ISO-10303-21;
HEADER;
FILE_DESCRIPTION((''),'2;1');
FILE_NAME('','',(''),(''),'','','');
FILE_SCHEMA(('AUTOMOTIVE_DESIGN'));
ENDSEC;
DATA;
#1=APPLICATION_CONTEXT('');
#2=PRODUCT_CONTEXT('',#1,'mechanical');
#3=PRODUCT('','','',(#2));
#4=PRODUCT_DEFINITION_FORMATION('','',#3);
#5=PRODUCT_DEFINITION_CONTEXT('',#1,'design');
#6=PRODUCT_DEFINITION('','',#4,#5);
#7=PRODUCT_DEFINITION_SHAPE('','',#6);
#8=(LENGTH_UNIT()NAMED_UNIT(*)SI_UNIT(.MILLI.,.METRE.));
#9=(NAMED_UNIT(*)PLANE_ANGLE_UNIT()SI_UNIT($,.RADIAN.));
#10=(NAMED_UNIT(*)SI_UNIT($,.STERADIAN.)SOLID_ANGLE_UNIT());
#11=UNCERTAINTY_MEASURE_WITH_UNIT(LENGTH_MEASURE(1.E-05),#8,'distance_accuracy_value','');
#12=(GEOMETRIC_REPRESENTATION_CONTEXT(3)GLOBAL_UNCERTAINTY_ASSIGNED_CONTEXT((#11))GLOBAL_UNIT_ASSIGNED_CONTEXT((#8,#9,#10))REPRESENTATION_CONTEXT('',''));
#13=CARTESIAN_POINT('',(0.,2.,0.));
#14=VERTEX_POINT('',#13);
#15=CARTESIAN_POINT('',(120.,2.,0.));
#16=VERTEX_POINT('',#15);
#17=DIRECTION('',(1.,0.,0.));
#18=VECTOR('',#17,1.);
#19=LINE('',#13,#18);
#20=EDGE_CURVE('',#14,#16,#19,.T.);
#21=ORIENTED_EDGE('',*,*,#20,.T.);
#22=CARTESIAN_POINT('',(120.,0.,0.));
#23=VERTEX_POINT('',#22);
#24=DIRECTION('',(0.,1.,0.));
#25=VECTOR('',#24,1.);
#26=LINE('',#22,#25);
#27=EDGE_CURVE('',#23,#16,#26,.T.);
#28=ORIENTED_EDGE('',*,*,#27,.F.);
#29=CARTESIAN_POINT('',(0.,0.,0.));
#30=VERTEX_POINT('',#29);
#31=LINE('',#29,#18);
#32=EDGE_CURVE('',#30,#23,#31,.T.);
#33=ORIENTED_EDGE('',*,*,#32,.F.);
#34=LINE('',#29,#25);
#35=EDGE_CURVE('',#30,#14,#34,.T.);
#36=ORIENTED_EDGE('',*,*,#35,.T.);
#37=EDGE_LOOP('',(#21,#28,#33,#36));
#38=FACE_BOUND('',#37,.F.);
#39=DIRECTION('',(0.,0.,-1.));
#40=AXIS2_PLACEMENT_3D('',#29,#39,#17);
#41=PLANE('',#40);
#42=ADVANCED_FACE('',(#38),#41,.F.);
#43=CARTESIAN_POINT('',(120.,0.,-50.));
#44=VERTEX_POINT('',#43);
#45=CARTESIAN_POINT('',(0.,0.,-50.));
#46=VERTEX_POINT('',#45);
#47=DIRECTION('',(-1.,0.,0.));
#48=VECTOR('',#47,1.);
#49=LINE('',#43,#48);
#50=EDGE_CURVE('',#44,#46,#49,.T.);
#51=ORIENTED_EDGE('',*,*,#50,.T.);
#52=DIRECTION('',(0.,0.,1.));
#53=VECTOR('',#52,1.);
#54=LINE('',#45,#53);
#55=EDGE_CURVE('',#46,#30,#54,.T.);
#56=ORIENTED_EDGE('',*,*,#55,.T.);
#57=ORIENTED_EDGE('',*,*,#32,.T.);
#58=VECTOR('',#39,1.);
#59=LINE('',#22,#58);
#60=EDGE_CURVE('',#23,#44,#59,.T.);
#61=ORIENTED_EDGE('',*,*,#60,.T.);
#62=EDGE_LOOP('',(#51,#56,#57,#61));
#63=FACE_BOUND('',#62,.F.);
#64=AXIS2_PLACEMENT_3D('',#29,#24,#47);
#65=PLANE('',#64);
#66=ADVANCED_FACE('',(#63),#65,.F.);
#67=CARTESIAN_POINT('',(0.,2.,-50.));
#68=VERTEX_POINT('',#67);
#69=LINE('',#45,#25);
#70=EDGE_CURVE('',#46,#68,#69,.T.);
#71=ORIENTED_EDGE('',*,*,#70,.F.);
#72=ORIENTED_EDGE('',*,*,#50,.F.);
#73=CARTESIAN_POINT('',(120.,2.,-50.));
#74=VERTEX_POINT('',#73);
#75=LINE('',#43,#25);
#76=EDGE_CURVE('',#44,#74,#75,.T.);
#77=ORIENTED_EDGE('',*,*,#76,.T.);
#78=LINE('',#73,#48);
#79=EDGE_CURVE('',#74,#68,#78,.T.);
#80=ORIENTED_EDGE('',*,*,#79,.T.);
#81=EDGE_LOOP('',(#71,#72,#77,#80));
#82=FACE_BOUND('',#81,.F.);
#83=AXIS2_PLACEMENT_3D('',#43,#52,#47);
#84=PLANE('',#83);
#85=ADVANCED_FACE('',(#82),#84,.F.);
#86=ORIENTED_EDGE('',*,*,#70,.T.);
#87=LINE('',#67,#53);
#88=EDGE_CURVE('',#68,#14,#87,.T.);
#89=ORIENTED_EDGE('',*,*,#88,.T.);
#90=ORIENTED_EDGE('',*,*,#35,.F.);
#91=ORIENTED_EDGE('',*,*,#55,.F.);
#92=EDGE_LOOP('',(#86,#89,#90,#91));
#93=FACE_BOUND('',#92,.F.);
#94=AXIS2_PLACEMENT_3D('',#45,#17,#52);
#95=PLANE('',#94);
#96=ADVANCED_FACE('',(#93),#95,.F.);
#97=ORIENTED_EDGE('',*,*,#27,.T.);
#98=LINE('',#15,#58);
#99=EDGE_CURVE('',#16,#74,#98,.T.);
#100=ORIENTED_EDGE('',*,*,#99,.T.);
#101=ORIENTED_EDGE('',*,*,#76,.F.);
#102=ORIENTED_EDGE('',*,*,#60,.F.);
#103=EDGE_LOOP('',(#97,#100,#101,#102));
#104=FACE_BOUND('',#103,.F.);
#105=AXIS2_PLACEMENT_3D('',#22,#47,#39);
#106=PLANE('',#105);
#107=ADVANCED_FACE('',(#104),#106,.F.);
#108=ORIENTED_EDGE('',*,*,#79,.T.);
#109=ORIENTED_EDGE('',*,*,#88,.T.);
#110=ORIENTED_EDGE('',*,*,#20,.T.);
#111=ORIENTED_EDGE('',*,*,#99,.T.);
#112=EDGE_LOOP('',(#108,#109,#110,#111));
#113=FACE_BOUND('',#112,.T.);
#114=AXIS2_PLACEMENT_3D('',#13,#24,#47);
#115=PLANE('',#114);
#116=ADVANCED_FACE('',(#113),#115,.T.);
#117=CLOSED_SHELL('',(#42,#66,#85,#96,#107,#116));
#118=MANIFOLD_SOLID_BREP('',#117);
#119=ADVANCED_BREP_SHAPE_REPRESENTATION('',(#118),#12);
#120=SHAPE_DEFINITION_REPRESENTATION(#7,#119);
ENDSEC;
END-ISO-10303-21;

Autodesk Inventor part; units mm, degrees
ref_plane "YZ Plane" through (0, 0, 0) normal (1, 0, 0) x (0, 1, 0)
ref_plane "XZ Plane" through (0, 0, 0) normal (0, 1, 0) x (-1, 0, 0)
ref_plane "XY Plane" through (0, 0, 0) normal (0, 0, 1) x (1, 0, 0)
sketch "Sketch1" plane through (0, 0, 0) normal (0, 1, 0) x (-1, 0, 0)
  line L0 (0, 0) -> (-120, 0)
  line L1 (-120, 0) -> (-120, -50)
  line L2 (-120, -50) -> (0, -50)
  line L3 (0, -50) -> (0, 0)
  dimension "d0" = 120
  dimension "d1" = 50
extrude "Extrusion1" add sketch "Sketch1" along normal blind 2
sketch "Sketch2" plane through (0, 2, 0) normal (0, 1, 0) x (1, 0, 0)
  line L0 (14.5859, 14.6225) -> (54.5859, 14.6225)
  line L1 (54.5859, 14.6225) -> (54.5859, 26.6225)
  line L2 (54.5859, 26.6225) -> (14.5859, 26.6225)
  line L3 (14.5859, 26.6225) -> (14.5859, 14.6225)
  point P0 (0, 0)
  dimension "d4" = 40
  dimension "d5" = 12
properties part number "driven_gear_mount_v1"
